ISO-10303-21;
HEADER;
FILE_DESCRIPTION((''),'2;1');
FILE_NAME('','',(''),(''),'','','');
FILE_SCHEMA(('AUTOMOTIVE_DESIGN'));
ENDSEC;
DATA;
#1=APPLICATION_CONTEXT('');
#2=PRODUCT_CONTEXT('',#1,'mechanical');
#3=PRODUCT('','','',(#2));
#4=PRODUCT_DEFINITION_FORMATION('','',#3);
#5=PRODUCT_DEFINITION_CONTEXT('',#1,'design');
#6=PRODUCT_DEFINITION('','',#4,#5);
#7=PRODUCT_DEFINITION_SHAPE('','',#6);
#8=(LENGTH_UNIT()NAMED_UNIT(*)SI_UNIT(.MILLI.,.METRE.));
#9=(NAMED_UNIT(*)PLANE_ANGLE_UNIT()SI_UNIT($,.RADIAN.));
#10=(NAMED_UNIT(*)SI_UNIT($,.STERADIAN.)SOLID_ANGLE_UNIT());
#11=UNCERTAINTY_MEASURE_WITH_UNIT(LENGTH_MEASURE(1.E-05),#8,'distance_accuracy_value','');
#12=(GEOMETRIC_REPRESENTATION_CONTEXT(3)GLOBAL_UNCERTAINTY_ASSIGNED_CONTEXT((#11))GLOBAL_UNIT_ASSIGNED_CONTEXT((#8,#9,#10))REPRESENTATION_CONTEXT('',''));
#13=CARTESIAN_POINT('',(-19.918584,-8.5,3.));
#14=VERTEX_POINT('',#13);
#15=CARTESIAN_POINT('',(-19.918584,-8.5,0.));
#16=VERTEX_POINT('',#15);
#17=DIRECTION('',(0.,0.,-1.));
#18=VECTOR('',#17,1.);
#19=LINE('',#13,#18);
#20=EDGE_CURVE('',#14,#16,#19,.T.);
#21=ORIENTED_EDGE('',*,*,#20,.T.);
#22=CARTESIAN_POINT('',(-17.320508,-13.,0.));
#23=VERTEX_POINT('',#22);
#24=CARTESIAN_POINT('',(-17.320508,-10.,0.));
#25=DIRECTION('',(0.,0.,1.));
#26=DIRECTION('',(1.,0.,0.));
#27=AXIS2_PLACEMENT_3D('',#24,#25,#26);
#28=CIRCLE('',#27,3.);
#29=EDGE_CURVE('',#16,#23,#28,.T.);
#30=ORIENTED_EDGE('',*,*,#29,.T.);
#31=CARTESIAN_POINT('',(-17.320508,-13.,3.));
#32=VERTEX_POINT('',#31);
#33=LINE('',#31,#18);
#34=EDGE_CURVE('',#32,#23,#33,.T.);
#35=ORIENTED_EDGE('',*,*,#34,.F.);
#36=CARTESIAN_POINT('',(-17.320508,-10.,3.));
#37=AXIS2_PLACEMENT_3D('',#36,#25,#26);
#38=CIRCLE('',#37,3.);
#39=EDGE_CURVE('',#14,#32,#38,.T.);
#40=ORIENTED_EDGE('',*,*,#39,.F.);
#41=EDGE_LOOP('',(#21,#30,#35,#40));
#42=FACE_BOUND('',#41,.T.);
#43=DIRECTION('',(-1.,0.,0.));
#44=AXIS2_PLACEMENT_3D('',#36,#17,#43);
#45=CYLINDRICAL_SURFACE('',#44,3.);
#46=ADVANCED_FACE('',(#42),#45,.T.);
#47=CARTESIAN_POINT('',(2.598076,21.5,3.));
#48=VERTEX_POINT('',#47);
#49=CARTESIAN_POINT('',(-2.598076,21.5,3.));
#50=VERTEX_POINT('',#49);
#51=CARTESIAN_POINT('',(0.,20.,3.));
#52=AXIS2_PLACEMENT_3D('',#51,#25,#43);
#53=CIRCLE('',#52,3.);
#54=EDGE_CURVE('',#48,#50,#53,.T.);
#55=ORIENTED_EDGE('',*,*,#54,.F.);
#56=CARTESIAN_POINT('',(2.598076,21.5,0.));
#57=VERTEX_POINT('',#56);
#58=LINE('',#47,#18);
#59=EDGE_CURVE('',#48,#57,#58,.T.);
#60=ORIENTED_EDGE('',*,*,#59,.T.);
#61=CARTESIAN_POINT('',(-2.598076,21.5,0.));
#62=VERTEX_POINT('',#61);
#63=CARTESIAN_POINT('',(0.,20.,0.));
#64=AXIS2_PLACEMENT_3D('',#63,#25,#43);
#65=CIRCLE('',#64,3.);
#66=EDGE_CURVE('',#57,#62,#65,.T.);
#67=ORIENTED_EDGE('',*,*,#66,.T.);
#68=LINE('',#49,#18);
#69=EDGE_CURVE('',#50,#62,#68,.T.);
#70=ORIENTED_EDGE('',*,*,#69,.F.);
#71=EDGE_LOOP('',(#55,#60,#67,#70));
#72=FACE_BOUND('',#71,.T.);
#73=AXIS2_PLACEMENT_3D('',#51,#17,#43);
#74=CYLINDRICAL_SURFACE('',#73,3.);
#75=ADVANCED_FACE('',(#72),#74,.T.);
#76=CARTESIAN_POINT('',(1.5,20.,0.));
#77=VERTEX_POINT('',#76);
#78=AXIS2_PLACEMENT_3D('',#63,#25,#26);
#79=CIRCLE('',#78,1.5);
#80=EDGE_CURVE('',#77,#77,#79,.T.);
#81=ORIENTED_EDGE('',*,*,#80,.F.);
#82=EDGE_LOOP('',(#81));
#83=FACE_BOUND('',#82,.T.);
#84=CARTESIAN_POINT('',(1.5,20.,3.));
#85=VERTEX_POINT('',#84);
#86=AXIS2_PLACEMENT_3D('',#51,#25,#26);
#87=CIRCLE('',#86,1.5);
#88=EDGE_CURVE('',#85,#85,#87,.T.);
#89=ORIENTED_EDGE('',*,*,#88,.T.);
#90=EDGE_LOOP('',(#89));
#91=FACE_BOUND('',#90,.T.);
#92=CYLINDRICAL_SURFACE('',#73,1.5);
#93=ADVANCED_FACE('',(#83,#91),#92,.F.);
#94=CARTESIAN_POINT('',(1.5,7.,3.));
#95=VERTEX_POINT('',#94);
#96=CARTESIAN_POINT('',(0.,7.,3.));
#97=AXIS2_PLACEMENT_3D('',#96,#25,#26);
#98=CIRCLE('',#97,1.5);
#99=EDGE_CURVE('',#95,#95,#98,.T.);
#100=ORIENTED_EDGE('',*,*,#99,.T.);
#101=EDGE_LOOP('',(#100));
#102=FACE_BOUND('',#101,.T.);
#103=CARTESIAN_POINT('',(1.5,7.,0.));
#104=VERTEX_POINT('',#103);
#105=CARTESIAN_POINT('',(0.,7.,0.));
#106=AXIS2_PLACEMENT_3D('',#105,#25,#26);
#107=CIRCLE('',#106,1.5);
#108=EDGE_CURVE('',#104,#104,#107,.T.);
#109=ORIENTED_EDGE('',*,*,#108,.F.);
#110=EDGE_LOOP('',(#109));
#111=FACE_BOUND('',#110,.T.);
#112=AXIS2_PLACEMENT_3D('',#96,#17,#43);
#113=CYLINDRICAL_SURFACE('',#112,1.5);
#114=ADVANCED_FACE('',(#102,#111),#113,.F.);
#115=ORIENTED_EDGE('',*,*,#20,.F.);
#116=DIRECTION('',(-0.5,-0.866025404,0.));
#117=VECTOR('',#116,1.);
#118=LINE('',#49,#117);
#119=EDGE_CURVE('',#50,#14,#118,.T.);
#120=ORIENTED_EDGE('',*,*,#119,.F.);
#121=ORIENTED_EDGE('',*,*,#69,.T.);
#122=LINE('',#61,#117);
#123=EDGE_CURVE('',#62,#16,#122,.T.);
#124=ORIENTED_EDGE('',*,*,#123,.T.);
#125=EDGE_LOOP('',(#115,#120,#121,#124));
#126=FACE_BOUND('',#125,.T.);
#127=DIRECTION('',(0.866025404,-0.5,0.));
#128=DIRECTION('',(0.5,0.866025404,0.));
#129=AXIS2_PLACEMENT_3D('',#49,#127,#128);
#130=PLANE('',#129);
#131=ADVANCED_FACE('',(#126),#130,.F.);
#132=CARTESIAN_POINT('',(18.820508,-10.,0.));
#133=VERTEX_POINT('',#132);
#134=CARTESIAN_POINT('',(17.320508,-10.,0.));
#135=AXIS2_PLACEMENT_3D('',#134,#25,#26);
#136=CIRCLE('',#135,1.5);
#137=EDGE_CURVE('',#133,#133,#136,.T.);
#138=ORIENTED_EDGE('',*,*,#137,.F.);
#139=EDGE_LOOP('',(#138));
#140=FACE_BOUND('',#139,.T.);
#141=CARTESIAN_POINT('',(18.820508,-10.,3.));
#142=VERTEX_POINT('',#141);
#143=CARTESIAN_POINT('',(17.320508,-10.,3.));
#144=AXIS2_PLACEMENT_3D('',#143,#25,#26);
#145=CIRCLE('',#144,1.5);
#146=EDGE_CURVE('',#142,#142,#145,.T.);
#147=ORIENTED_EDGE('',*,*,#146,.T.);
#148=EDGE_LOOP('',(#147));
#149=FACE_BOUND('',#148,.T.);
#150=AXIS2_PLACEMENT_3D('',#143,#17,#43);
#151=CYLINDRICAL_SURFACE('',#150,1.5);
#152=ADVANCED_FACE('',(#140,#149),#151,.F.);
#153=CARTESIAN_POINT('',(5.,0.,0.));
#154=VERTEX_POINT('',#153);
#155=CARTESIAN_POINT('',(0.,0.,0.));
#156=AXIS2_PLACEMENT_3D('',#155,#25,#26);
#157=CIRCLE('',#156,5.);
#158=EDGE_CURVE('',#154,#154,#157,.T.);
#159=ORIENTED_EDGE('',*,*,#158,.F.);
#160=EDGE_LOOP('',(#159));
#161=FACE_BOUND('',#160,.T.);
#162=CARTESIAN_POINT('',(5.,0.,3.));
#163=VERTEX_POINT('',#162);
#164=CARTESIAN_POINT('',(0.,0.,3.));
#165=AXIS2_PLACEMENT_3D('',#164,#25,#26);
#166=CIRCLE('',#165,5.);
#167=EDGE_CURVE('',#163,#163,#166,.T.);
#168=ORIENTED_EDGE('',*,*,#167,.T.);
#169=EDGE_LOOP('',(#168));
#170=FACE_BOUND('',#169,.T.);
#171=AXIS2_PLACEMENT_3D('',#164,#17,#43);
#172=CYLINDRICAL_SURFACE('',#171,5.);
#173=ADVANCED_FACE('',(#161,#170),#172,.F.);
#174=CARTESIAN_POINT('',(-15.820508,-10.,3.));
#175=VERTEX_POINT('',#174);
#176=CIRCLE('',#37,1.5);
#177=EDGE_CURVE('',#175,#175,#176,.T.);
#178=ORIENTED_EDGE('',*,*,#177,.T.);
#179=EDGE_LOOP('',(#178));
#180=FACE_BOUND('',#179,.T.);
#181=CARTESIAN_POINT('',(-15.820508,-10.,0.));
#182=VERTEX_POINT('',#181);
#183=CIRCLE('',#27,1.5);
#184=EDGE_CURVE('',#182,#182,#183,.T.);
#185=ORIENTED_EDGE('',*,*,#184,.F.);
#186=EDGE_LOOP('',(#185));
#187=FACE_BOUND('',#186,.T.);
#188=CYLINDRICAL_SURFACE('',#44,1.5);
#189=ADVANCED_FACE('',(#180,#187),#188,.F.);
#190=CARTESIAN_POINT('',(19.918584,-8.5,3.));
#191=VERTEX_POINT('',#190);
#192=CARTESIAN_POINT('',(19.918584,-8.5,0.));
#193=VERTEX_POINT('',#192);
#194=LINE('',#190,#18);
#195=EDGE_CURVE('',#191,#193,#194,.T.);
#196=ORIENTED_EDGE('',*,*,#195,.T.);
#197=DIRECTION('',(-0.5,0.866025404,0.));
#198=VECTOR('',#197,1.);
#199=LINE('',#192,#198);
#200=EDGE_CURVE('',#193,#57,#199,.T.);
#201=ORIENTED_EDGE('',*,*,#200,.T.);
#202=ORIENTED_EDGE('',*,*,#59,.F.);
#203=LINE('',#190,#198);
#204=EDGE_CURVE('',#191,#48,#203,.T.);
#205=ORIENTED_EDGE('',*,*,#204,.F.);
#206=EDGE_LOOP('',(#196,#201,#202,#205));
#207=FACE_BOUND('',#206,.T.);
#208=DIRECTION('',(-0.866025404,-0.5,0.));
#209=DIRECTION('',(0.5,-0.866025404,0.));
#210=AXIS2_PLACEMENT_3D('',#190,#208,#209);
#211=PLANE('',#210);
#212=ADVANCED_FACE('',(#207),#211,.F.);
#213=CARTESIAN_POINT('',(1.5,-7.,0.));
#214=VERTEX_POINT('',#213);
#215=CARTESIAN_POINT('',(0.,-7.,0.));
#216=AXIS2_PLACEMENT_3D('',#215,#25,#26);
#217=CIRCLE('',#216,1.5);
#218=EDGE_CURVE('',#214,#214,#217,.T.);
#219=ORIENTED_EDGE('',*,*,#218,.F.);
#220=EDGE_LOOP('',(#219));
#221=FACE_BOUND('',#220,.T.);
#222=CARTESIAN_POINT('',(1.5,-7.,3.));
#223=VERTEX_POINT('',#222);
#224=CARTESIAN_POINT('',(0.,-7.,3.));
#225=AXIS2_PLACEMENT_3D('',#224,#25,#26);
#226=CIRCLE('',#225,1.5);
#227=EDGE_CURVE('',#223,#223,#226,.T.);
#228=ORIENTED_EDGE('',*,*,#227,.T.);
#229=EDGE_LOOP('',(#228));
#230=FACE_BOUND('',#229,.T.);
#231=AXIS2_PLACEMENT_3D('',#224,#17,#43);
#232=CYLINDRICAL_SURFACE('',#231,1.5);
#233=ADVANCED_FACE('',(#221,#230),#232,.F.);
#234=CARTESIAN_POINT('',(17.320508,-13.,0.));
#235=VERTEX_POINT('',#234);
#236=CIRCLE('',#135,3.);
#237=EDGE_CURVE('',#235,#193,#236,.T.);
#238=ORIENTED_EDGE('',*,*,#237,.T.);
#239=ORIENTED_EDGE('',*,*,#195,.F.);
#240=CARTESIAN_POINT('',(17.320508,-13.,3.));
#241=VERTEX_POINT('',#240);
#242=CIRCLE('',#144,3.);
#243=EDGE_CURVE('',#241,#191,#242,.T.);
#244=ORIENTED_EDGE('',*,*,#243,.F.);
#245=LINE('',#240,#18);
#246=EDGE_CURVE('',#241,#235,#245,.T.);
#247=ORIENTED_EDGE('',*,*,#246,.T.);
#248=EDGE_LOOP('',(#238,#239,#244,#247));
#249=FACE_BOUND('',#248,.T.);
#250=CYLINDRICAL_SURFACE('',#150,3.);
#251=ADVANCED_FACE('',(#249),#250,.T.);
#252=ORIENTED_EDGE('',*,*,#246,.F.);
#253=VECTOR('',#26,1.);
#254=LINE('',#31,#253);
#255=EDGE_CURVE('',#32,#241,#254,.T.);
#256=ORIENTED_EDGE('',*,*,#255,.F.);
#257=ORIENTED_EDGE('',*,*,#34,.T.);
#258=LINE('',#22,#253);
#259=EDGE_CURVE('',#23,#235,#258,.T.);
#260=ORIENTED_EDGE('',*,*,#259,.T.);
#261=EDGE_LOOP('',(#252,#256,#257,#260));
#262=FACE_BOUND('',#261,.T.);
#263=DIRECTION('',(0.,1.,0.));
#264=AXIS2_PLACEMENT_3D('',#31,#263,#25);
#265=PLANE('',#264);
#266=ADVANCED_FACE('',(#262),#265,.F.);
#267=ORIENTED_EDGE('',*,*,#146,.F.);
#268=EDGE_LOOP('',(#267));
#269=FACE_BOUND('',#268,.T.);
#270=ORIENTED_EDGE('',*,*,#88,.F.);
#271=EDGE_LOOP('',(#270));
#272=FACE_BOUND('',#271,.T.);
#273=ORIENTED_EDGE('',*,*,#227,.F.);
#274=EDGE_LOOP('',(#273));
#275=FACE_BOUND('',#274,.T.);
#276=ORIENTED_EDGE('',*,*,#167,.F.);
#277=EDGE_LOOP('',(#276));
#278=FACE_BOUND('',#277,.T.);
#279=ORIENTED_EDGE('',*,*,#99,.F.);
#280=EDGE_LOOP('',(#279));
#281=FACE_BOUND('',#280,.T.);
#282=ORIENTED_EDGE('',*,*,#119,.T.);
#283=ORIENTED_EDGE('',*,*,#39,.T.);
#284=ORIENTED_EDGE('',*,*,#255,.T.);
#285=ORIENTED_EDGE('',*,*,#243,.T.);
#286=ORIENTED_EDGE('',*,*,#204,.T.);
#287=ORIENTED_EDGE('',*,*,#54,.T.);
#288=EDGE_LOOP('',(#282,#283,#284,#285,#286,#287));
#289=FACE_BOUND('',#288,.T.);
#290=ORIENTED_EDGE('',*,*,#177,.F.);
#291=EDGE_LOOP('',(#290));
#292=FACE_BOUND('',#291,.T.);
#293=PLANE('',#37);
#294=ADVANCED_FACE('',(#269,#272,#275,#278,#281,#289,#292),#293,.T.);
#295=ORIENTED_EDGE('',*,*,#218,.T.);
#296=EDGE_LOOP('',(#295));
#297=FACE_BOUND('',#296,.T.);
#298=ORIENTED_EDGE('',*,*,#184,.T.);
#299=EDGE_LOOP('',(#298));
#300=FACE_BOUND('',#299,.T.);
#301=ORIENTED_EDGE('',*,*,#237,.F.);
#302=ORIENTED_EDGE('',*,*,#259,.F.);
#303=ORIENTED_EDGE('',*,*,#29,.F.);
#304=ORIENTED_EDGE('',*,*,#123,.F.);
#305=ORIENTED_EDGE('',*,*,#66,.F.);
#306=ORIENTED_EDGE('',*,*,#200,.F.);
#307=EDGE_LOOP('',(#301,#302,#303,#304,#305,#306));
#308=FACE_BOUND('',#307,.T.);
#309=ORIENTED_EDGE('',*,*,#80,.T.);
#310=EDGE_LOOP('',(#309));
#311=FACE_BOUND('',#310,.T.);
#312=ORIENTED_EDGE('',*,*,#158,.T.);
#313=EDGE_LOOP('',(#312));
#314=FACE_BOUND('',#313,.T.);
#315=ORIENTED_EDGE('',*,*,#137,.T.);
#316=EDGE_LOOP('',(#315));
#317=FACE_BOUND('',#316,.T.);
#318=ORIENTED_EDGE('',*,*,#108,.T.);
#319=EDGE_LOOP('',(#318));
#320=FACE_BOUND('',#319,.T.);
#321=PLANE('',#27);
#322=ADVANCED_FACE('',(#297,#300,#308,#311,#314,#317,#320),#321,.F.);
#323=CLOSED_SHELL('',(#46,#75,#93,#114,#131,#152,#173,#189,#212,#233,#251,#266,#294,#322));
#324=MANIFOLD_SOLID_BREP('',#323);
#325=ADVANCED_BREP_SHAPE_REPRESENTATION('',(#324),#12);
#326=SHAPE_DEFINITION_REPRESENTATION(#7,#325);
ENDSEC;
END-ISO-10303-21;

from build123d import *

# Parameters (mm, degrees)
SKETCH_1_R      = 1.5
SKETCH_1_R_2    = 5
EXTRUDE_1_DEPTH = 3


with BuildPart() as part:
    # 草图1 → 凸台-拉伸1 (new body)
    with BuildSketch(Plane.XY):
        with BuildLine():
            Line((-2.598076211, 21.5), (-19.918584287, -8.5))
            ThreePointArc((-19.918584287, -8.5), (-19.918584287, -11.5), (-17.320508076, -13))
            Line((-17.320508076, -13), (17.320508076, -13))
            ThreePointArc((17.320508076, -13), (19.918584287, -11.5), (19.918584287, -8.5))
            Line((19.918584287, -8.5), (2.598076211, 21.5))
            ThreePointArc((2.598076211, 21.5), (0, 23), (-2.598076211, 21.5))
        make_face()
        with Locations((-17.320508076, -10)):
            Circle(SKETCH_1_R, mode=Mode.SUBTRACT)
        with Locations((0, 20)):
            Circle(SKETCH_1_R, mode=Mode.SUBTRACT)
        with Locations((17.320508076, -10)):
            Circle(SKETCH_1_R, mode=Mode.SUBTRACT)
        Circle(SKETCH_1_R_2, mode=Mode.SUBTRACT)
        with Locations((0, 7)):
            Circle(SKETCH_1_R, mode=Mode.SUBTRACT)
        with Locations((0, -7)):
            Circle(SKETCH_1_R, mode=Mode.SUBTRACT)
    extrude(amount=EXTRUDE_1_DEPTH)


solid = part.part
